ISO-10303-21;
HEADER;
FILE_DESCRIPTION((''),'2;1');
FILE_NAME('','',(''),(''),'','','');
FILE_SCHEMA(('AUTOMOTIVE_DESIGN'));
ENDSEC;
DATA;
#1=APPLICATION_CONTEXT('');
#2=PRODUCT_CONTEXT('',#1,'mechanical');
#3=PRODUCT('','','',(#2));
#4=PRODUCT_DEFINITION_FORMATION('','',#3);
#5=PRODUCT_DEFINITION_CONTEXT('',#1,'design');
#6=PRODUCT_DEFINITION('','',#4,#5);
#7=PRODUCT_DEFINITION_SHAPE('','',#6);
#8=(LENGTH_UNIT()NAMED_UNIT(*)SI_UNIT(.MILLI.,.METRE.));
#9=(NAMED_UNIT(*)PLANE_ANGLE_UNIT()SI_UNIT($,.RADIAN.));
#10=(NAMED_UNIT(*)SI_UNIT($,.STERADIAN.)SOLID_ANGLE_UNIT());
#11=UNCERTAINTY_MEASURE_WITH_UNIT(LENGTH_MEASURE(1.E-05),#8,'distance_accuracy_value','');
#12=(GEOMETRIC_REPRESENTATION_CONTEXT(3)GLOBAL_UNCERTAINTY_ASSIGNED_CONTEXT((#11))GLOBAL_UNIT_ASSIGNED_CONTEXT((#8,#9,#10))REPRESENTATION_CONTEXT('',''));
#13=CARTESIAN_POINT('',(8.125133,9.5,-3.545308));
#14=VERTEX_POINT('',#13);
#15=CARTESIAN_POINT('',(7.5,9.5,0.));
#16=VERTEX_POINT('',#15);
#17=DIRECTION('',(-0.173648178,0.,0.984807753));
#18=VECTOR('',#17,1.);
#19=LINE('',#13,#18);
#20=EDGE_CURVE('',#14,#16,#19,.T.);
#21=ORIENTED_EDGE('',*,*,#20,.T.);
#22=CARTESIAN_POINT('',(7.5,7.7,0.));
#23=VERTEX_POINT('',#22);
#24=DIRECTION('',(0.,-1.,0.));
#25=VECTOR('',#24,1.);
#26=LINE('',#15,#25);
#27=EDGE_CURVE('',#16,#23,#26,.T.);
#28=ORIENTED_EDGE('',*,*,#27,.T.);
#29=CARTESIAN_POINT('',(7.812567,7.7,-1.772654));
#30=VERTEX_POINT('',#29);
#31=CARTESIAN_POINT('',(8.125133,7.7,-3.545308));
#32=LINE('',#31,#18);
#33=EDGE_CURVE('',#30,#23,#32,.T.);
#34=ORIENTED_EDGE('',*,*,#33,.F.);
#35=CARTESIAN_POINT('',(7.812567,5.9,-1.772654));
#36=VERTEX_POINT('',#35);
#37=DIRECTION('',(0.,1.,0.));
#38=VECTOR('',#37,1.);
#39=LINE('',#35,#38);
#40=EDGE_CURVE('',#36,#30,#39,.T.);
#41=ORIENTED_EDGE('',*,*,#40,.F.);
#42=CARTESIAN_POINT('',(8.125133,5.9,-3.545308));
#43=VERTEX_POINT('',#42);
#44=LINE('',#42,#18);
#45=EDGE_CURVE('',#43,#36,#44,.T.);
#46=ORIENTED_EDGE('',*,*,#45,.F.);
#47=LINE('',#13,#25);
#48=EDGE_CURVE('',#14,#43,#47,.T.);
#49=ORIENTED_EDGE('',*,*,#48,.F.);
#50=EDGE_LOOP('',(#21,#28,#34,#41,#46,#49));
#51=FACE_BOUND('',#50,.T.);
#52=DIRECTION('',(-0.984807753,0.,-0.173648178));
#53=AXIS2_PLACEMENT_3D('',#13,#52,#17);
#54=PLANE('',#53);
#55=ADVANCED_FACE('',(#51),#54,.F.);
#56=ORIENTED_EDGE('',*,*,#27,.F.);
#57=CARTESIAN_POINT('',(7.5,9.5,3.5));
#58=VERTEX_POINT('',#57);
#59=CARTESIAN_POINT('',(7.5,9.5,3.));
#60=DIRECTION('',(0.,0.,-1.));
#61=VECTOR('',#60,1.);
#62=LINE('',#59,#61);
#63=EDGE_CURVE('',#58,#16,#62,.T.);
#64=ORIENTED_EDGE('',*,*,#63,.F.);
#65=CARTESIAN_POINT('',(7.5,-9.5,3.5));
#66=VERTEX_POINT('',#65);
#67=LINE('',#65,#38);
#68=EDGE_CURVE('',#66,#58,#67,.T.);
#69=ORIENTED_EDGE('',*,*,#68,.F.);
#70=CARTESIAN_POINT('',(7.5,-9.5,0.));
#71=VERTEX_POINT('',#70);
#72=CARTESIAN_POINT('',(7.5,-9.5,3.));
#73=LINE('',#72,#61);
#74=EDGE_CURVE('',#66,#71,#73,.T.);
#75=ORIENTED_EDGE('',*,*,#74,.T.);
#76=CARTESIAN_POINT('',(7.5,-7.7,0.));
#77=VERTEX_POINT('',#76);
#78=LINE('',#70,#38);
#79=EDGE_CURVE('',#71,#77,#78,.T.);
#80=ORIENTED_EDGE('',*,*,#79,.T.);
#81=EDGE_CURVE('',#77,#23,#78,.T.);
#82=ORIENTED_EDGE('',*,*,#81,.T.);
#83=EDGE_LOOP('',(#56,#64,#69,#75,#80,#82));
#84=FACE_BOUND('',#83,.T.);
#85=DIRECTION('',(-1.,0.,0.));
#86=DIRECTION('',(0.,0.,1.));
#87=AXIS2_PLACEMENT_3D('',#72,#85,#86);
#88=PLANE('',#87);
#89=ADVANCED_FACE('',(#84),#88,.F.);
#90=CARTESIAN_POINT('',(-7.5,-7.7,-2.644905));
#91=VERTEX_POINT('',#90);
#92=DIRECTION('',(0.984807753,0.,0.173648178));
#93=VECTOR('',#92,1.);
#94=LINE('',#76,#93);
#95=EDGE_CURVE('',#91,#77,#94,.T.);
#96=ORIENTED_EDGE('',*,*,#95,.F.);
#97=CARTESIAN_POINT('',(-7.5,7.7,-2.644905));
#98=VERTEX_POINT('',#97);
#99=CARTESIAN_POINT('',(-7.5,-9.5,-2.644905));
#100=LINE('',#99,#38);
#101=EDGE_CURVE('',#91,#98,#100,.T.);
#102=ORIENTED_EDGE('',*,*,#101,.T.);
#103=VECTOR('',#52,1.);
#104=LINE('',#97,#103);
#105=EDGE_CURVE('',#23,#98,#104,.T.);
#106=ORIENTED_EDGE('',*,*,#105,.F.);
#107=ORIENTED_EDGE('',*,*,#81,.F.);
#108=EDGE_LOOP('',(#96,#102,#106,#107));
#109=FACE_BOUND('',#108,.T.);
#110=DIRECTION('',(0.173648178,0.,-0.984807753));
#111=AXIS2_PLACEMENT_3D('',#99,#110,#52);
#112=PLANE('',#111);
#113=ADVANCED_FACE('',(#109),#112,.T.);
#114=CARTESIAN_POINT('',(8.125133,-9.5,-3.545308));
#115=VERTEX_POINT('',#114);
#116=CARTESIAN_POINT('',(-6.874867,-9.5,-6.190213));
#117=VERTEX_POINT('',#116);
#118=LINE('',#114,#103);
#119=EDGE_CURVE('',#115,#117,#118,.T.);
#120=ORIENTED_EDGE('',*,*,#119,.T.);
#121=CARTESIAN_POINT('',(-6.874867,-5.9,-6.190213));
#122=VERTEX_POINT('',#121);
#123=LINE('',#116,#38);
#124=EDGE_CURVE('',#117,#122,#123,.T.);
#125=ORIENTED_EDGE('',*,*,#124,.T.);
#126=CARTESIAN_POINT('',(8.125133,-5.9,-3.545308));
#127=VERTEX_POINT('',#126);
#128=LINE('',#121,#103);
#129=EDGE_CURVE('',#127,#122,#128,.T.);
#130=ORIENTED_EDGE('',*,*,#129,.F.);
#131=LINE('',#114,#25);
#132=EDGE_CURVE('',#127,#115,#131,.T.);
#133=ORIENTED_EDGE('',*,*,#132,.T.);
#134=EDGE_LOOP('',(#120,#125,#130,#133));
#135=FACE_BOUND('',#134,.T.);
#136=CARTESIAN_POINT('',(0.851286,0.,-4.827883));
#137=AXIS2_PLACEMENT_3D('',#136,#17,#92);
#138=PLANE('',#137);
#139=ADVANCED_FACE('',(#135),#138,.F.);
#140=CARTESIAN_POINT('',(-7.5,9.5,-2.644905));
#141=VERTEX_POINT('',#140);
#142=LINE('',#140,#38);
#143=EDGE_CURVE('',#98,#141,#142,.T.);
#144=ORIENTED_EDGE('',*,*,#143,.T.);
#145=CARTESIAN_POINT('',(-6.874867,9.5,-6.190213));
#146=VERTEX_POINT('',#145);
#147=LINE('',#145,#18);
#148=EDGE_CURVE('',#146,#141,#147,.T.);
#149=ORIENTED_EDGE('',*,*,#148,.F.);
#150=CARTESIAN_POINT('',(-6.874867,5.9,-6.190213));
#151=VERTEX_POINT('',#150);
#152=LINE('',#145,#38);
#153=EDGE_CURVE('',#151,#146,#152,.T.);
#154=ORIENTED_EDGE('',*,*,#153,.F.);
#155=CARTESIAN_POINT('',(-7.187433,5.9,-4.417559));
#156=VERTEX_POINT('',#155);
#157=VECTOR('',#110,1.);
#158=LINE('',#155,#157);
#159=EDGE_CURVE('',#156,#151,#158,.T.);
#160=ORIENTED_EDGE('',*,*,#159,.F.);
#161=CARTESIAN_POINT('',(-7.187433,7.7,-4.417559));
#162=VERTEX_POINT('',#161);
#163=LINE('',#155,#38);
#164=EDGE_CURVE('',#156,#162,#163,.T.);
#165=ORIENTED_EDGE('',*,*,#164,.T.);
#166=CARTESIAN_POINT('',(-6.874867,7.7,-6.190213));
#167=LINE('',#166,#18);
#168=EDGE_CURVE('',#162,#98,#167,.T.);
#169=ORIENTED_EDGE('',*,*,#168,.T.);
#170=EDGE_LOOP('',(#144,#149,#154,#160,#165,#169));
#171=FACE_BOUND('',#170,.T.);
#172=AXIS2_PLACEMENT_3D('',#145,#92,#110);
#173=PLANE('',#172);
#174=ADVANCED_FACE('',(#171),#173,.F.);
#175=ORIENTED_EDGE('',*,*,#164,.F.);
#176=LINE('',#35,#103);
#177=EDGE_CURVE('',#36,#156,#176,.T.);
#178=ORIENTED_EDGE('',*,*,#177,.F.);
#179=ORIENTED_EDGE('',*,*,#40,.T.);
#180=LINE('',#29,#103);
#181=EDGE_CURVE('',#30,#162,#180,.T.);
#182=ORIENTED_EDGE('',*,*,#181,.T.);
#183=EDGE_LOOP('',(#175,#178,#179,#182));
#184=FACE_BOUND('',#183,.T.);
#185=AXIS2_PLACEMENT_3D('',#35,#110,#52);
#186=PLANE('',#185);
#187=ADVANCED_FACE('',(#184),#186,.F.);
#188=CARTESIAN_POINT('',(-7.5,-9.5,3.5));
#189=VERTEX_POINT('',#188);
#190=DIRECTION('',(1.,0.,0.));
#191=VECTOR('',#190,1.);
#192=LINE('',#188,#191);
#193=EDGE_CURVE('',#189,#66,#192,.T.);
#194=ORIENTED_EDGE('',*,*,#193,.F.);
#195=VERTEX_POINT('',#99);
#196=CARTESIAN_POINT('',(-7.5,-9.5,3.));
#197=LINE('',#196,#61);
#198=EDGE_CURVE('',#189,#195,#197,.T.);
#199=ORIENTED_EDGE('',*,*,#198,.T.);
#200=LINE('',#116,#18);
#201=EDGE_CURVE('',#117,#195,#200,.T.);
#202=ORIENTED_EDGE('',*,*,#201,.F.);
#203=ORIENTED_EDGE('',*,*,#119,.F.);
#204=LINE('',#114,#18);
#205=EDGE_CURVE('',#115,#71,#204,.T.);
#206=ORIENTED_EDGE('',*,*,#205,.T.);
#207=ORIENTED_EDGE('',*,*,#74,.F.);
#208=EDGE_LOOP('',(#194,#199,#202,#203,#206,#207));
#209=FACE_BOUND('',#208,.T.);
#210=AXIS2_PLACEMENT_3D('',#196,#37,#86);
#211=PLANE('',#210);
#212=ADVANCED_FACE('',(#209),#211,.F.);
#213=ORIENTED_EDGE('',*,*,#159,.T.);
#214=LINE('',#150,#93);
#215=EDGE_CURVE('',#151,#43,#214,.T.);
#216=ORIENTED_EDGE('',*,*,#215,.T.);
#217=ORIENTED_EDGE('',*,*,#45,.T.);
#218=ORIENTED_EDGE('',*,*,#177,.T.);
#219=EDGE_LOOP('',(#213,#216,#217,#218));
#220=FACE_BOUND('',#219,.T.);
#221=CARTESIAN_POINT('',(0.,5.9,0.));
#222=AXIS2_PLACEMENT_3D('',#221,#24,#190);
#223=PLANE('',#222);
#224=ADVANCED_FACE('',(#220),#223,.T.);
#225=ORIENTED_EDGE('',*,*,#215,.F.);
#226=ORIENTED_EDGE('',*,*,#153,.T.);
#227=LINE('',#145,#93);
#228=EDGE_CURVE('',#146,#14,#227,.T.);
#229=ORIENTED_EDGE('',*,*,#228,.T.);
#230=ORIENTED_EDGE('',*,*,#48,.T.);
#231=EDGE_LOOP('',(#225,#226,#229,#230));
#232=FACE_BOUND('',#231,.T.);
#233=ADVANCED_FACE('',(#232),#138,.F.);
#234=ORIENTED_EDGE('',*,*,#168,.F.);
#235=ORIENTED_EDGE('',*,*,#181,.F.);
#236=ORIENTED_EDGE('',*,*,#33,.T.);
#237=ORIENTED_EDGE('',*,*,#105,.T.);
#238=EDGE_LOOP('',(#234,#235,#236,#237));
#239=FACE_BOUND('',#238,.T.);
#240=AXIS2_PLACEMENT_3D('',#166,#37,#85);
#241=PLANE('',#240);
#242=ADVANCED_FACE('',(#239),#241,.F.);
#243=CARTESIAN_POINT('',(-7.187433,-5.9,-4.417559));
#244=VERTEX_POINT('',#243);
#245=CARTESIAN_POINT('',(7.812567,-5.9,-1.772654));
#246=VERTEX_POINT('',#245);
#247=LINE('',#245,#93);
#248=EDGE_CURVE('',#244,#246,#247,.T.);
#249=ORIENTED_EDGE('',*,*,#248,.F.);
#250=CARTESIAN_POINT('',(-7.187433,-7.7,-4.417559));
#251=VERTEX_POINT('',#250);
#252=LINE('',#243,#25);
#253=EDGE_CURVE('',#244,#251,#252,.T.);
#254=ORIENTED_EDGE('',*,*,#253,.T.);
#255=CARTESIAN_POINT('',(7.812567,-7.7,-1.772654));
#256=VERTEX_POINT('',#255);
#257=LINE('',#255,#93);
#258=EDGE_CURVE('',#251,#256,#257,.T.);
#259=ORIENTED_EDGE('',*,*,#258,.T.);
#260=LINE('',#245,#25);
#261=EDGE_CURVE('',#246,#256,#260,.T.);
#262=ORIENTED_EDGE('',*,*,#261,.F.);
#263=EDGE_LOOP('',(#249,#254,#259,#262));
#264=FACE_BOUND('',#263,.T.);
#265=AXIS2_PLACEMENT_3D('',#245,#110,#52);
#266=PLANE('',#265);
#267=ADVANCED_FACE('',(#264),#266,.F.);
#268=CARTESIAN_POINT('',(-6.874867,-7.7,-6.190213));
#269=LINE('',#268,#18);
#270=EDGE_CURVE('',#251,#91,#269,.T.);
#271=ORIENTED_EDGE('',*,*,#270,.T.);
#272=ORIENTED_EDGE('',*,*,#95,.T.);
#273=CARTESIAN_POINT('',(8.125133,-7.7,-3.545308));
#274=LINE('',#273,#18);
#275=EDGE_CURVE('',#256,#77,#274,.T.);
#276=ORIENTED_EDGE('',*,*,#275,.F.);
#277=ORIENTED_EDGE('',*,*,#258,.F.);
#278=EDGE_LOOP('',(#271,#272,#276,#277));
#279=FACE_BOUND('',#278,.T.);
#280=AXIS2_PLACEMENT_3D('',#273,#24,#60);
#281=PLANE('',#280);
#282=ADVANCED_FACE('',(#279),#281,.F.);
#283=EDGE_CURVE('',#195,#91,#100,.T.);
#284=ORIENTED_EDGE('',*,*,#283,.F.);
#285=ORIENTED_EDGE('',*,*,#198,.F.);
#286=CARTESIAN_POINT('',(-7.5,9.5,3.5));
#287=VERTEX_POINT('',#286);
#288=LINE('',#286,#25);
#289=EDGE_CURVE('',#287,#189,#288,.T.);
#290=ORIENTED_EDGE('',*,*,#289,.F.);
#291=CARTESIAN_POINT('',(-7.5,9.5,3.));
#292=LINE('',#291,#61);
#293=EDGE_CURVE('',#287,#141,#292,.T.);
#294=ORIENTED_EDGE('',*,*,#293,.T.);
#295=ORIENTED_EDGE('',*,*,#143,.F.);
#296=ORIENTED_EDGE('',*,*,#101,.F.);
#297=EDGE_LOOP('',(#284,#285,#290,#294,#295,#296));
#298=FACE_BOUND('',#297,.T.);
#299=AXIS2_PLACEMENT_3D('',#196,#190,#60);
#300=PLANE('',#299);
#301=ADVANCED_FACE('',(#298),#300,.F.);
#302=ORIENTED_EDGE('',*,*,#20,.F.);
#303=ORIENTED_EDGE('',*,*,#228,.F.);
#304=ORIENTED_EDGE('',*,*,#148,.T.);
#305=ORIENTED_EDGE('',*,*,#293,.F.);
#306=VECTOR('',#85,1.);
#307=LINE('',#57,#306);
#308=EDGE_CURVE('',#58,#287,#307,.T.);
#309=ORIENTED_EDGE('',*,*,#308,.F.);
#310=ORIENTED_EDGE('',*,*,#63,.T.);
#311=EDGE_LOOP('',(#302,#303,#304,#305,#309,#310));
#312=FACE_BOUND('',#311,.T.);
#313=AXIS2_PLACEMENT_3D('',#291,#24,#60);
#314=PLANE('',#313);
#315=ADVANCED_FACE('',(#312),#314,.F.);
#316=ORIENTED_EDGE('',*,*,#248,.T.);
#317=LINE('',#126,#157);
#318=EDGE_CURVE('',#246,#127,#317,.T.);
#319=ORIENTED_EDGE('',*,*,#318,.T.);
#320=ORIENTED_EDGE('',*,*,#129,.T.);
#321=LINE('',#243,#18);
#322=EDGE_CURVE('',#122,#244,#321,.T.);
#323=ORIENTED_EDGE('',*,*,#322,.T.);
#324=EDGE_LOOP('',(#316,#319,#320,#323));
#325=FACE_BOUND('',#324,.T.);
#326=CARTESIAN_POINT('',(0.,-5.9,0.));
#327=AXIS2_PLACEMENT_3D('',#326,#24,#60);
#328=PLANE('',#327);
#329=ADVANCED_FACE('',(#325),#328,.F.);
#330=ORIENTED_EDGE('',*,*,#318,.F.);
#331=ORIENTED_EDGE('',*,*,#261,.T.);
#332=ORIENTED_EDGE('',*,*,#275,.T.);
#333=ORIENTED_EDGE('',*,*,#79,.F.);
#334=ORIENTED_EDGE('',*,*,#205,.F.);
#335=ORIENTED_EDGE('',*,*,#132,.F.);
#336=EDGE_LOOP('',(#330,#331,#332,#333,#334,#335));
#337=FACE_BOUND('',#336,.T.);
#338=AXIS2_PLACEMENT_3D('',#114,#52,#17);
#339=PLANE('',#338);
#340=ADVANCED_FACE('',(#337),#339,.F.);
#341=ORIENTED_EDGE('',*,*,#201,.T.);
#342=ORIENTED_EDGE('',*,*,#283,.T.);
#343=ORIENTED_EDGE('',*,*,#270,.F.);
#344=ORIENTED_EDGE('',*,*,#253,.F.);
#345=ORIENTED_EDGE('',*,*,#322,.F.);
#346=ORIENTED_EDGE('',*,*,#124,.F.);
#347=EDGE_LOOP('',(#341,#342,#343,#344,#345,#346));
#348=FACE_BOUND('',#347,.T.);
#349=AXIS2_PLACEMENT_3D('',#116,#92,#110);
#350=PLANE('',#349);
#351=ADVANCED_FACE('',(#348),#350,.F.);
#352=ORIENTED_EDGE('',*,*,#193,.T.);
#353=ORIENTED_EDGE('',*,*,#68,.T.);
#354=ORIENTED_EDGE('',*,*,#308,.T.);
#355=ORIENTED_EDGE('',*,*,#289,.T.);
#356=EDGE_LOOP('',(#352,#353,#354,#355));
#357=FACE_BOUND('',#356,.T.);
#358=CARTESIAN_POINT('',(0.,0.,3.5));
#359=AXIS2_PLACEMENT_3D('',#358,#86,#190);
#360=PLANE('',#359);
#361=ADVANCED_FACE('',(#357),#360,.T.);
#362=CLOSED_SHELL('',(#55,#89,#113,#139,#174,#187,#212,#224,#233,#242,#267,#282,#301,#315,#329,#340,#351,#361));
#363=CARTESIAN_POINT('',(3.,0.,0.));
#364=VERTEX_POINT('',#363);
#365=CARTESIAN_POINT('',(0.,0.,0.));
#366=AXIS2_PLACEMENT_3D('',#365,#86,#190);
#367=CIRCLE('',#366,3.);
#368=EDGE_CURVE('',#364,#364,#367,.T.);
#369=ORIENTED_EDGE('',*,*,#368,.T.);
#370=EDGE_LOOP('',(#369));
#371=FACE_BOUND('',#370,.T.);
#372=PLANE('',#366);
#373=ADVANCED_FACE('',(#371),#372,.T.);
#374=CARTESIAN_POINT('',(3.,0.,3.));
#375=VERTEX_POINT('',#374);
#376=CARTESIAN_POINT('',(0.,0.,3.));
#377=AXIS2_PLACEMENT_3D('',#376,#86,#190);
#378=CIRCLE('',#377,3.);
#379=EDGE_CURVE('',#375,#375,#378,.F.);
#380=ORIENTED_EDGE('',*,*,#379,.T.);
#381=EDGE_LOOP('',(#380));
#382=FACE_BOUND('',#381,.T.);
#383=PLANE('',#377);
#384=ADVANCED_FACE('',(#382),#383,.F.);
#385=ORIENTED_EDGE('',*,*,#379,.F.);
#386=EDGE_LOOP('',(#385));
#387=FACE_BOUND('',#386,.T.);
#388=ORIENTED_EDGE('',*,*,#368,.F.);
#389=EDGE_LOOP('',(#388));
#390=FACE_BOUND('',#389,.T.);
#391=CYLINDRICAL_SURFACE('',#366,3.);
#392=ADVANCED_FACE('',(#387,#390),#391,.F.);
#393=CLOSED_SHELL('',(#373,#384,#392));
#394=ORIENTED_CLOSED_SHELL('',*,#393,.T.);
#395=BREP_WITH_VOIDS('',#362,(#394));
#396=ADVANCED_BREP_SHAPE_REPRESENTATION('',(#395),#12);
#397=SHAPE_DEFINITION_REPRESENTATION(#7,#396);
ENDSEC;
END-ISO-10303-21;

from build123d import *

# Parameters (mm, degrees)
SKIZZE1_W                       = 15
SKIZZE1_H                       = 19
AUFSATZ_LINEAR_AUSTRAGEN1_DEPTH = 3
AUFSATZ_LINEAR_AUSTRAGEN2_DEPTH = 19
SKIZZE5_R                       = 3
SCHNITT_LINEAR_AUSTRAGEN1_DEPTH = 3
SKIZZE6_W                       = 15
SKIZZE6_H                       = 19
AUFSATZ_LINEAR_AUSTRAGEN3_DEPTH = 0.5
SKIZZE7_W                       = 15.231399179
SKIZZE7_H                       = 1.8
AUFSATZ_LINEAR_AUSTRAGEN4_DEPTH = 3.6
AUFSATZ_LINEAR_AUSTRAGEN5_DEPTH = 1.8
AUFSATZ_LINEAR_AUSTRAGEN6_DEPTH = 1.8


with BuildPart() as part:
    # Skizze1 → Aufsatz-Linear austragen1 (new body)
    with BuildSketch(Plane.XY):
        Rectangle(SKIZZE1_W, SKIZZE1_H)
    extrude(amount=AUFSATZ_LINEAR_AUSTRAGEN1_DEPTH)

    # Skizze3 → Aufsatz-Linear austragen2 (add)
    with BuildSketch(Plane(origin=(0, 9.5, 0), x_dir=(1, 0, 0), z_dir=(0, 1, 0))):
        Polygon((-7.5, 0), (-7.5, 2.644904711), (7.5, 0), align=None)
    extrude(amount=-AUFSATZ_LINEAR_AUSTRAGEN2_DEPTH)

    # Skizze5 → Schnitt-Linear austragen1 (cut)
    with BuildSketch(Plane.XY.offset(3)):
        Circle(SKIZZE5_R)
    extrude(amount=-SCHNITT_LINEAR_AUSTRAGEN1_DEPTH, mode=Mode.SUBTRACT)

    # Skizze6 → Aufsatz-Linear austragen3 (add)
    with BuildSketch(Plane.XY.offset(3)):
        Rectangle(SKIZZE6_W, SKIZZE6_H)
    extrude(amount=AUFSATZ_LINEAR_AUSTRAGEN3_DEPTH)

    # Skizze7 → Aufsatz-Linear austragen4 (add)
    with BuildSketch(Plane(origin=(0.226152672, 0, -1.282575537), x_dir=(-0.984807753, 0, -0.173648178), z_dir=(0.173648178, 0, -0.984807753))):
        with Locations((0.229641442, 8.6)):
            Rectangle(SKIZZE7_W, SKIZZE7_H)
        with Locations((0.229641442, -8.6)):
            Rectangle(SKIZZE7_W, SKIZZE7_H)
    extrude(amount=AUFSATZ_LINEAR_AUSTRAGEN4_DEPTH)

    # Skizze10 → Aufsatz-Linear austragen5 (add)
    with BuildSketch(Plane.XZ.offset(-7.7)):
        Polygon((8.12513344, -3.545307911), (7.81256672, -1.772653955), (-7.18743328, -4.417558666), (-6.87486656, -6.190212621), align=None)
    extrude(amount=AUFSATZ_LINEAR_AUSTRAGEN5_DEPTH)

    # Skizze9 → Aufsatz-Linear austragen6 (add)
    with BuildSketch(Plane(origin=(0, -7.7, 0), x_dir=(1, 0, 0), z_dir=(0, 1, 0))):
        Polygon((7.81256672, 1.772653955), (-7.18743328, 4.417558666), (-6.87486656, 6.190212621), (8.12513344, 3.545307911), align=None)
    extrude(amount=AUFSATZ_LINEAR_AUSTRAGEN6_DEPTH)


solid = part.part
